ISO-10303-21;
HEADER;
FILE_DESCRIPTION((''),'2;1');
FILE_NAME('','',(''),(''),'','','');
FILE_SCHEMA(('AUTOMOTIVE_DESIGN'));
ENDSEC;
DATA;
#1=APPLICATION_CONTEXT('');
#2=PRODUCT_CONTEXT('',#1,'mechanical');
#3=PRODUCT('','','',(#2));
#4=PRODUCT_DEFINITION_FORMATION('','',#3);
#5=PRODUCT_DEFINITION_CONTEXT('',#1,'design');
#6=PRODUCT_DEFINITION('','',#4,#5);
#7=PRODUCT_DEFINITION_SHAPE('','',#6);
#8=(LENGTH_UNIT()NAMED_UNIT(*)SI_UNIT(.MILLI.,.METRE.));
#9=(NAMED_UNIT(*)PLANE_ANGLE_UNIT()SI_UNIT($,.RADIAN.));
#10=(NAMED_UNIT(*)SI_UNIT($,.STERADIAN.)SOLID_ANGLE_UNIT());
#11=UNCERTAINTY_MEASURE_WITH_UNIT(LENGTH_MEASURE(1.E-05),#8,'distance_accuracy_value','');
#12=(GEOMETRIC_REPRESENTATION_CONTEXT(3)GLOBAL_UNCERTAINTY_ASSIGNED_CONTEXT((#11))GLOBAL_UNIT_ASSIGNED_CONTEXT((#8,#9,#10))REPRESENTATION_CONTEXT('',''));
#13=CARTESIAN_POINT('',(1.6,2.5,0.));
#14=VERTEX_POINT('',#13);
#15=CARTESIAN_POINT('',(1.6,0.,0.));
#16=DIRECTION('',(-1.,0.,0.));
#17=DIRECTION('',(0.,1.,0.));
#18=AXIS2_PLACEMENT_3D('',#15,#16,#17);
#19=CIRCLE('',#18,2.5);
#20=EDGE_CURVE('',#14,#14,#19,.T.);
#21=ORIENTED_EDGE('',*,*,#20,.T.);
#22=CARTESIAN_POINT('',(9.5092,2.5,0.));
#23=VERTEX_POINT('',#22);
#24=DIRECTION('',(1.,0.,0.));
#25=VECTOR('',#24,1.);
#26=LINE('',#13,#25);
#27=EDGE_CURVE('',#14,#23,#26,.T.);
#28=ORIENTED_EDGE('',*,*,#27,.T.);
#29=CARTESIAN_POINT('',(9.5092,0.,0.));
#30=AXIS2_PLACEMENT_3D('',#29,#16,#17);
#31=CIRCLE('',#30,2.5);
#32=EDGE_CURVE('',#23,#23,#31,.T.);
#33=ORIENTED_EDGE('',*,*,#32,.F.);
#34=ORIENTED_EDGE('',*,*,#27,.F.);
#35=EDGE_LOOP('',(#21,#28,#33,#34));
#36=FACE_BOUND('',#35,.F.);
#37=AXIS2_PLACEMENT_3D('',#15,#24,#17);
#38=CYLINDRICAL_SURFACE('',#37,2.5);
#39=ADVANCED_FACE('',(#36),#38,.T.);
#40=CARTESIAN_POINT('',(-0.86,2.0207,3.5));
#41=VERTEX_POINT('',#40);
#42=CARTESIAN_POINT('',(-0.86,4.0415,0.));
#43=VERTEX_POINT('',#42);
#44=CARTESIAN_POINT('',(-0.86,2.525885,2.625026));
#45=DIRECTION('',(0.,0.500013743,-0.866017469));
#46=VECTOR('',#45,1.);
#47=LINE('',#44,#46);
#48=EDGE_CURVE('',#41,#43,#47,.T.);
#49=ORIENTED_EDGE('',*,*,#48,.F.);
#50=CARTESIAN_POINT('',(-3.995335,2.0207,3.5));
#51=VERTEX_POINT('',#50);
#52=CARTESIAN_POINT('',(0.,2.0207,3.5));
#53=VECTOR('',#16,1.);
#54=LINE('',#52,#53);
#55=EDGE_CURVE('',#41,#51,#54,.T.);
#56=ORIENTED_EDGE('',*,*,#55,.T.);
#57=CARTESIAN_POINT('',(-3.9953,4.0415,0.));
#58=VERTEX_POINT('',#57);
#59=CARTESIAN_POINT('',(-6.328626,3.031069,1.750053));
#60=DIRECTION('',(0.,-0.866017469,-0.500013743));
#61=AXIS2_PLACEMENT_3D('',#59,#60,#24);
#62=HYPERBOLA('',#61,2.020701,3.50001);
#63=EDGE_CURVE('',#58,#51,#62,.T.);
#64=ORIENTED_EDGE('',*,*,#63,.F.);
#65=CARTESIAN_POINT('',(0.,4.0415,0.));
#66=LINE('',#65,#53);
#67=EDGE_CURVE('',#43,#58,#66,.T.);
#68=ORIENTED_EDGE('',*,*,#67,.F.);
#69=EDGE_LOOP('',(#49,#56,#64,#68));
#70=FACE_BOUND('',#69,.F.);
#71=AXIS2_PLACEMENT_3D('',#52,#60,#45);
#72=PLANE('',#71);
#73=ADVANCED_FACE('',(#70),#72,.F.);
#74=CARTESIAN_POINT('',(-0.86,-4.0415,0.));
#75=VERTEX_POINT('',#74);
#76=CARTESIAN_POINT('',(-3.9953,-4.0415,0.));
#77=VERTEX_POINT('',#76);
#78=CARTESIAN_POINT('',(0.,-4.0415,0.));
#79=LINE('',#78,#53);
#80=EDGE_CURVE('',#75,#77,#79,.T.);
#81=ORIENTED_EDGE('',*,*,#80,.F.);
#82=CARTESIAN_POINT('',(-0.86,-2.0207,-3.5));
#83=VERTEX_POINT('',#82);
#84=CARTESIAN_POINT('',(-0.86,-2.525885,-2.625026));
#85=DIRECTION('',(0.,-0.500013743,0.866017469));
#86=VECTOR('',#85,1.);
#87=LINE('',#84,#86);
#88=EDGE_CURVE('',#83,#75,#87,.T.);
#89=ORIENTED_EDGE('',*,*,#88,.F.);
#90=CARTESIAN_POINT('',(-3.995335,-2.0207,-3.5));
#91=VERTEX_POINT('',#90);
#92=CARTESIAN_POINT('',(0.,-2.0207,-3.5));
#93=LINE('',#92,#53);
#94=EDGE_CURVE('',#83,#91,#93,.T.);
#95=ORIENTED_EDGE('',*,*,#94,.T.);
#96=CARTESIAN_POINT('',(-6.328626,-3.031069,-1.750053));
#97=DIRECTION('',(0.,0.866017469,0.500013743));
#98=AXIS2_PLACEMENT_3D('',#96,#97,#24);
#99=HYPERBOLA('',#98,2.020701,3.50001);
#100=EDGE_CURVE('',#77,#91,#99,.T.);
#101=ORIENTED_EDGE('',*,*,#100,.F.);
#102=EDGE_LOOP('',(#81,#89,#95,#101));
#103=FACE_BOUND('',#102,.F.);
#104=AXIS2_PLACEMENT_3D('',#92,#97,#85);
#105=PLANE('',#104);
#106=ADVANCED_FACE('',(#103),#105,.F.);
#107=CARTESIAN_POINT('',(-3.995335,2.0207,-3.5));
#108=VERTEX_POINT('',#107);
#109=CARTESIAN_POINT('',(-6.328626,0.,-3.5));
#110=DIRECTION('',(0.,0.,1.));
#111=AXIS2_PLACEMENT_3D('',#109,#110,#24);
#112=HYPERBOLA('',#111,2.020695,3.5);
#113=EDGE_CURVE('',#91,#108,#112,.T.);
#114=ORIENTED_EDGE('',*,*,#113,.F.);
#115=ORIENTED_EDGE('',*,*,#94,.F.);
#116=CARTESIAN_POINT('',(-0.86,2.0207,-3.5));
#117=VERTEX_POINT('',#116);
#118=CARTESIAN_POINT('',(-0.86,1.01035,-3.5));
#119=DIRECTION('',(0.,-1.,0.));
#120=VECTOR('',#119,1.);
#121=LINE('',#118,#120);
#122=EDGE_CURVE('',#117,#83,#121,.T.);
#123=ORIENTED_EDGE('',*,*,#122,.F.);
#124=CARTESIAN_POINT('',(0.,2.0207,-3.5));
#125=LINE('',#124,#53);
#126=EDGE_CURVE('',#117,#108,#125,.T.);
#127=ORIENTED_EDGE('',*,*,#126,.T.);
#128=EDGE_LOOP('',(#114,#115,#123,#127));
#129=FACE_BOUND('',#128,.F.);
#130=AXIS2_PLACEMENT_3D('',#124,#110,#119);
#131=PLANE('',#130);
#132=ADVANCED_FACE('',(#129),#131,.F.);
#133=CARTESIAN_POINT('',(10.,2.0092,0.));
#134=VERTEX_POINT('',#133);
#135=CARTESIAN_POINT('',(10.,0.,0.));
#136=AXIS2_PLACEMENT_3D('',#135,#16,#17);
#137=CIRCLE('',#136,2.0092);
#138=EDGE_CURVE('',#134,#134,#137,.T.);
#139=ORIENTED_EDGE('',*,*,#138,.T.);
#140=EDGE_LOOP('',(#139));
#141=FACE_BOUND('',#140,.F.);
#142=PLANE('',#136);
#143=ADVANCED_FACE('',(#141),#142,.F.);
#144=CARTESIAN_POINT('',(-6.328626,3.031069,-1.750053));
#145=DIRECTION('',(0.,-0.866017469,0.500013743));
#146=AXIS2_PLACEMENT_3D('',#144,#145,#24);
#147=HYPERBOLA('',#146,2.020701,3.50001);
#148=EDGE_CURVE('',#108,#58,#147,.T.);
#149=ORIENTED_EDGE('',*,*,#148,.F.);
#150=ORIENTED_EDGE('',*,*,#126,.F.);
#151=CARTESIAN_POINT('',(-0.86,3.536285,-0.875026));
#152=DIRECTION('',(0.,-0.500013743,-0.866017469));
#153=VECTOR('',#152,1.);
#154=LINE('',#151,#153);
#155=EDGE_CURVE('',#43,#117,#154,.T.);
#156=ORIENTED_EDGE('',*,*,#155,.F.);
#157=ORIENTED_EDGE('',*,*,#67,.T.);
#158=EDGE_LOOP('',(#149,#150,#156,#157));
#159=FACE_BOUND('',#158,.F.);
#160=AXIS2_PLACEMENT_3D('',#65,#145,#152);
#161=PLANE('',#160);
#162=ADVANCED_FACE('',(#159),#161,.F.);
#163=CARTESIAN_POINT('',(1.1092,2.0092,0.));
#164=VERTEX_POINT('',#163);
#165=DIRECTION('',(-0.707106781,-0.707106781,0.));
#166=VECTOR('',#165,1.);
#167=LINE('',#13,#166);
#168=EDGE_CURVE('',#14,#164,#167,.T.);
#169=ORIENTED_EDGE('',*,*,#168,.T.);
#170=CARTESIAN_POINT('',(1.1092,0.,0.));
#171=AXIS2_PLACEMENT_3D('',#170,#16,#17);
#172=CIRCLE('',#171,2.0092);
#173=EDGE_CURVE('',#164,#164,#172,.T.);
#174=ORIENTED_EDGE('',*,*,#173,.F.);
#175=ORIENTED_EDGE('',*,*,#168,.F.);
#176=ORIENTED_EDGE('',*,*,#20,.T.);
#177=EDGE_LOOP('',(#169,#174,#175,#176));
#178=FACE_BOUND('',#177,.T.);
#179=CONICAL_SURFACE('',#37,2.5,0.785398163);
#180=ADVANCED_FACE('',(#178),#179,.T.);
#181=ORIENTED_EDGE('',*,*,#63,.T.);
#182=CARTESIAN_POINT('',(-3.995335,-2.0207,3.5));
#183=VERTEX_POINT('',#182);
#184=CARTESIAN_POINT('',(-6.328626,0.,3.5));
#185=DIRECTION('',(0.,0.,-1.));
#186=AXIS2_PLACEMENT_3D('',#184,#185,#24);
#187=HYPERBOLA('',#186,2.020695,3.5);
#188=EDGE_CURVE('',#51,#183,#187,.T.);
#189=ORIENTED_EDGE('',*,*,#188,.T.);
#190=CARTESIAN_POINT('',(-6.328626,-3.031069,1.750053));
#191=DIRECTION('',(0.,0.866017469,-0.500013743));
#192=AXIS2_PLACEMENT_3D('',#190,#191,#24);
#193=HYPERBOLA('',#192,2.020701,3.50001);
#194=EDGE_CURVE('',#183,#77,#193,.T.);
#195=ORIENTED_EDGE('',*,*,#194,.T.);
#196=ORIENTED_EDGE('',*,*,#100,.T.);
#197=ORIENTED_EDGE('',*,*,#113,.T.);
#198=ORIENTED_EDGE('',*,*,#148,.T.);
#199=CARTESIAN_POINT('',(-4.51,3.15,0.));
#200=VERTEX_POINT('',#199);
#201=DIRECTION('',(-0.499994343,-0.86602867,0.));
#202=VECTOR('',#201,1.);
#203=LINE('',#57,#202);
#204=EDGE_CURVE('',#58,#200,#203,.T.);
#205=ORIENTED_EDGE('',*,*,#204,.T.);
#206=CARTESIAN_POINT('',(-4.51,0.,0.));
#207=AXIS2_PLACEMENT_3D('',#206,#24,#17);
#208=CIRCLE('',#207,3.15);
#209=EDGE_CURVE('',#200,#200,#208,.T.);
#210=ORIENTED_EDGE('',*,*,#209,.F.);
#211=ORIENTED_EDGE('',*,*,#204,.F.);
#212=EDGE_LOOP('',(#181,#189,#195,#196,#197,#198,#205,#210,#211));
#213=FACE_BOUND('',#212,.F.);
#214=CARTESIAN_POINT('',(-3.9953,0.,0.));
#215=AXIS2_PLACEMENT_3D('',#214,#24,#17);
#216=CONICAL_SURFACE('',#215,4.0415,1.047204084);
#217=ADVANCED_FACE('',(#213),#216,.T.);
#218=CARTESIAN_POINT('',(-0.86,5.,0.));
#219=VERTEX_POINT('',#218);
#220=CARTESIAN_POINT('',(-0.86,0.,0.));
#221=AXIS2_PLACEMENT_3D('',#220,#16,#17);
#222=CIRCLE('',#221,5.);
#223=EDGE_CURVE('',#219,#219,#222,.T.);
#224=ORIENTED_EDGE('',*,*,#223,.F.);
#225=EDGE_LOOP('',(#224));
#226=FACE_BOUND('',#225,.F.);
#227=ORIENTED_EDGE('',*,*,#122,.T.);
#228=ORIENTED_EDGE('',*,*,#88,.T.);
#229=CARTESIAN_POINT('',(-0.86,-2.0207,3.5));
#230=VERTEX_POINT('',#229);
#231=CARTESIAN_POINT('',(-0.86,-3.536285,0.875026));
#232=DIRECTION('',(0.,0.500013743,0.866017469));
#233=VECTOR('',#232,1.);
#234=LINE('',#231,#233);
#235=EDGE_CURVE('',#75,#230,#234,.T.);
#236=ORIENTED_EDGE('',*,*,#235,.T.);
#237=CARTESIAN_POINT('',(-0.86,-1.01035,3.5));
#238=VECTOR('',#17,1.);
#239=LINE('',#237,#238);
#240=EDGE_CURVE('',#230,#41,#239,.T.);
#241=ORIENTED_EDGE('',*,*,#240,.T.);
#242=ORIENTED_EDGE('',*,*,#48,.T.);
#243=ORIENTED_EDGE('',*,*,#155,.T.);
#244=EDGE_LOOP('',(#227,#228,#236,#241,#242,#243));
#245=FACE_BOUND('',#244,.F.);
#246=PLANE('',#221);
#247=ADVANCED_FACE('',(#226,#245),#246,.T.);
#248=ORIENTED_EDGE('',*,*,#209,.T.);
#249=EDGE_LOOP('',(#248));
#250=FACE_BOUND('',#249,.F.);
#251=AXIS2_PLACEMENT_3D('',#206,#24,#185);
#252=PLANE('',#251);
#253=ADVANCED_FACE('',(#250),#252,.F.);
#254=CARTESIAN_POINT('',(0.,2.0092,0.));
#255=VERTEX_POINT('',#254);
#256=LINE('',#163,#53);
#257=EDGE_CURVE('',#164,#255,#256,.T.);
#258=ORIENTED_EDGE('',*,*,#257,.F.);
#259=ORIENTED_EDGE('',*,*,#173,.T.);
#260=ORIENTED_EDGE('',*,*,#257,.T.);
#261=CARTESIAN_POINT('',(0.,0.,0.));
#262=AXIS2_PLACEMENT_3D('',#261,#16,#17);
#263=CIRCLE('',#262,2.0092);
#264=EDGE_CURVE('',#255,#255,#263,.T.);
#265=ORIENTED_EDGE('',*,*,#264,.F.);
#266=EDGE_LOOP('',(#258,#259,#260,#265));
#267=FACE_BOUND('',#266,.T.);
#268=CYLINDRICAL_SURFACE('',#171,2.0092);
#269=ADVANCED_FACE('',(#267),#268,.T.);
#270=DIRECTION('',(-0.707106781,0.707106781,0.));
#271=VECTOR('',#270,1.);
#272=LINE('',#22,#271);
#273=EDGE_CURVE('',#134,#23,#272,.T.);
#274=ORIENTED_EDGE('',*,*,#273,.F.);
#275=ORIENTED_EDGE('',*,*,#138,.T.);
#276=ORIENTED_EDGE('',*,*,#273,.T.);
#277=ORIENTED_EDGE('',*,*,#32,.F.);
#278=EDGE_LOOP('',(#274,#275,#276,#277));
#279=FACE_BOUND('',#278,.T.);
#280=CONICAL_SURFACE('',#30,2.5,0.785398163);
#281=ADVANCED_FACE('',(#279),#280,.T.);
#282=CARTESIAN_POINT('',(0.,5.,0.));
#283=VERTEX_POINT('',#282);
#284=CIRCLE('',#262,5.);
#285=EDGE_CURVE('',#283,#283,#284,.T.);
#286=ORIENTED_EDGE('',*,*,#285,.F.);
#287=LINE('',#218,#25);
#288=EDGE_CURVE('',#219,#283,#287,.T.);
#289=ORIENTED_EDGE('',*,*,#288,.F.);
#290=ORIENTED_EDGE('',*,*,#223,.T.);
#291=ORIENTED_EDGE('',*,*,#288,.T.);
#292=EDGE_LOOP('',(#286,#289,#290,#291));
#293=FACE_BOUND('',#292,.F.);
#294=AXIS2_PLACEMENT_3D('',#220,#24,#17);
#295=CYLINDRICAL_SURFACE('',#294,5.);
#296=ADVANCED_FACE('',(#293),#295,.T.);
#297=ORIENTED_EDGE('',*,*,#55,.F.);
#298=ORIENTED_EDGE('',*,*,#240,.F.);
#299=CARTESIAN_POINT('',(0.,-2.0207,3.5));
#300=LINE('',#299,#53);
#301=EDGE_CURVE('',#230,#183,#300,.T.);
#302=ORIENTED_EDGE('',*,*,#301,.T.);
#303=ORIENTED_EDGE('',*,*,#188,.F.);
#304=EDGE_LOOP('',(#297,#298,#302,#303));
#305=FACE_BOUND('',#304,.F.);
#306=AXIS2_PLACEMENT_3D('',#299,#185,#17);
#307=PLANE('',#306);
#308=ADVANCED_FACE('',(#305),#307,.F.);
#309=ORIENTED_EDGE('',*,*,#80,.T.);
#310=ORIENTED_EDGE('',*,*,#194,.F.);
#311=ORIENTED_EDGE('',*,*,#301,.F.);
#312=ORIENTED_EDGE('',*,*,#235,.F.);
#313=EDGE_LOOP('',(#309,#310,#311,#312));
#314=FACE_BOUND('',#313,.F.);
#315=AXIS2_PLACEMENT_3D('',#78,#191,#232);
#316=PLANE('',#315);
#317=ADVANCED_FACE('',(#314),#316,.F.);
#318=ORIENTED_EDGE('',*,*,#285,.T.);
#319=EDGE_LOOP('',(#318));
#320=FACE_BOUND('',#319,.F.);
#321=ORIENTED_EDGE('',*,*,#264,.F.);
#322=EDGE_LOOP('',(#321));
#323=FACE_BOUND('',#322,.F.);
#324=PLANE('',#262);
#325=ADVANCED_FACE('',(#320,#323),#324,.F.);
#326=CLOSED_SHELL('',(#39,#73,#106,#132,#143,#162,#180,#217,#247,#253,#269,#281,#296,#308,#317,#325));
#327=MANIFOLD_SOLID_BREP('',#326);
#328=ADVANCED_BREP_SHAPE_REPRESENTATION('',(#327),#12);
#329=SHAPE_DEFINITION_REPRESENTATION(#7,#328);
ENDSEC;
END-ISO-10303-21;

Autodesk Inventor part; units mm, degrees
ref_plane "YZ Plane" through (0, 0, 0) normal (1, 0, 0) x (0, 1, 0)
ref_plane "XZ Plane" through (0, 0, 0) normal (0, 1, 0) x (-1, 0, 0)
sketch "Sketch1" plane through (0, 0, 0) normal (0, 0, 1) x (1, 0, 0)
  line L0 (0, 5) -> (0, 2.0092)
  line L1 (1.6, 2.5) -> (10, 2.5)
  line L2 (10, 2.5) -> (10, 0)
  line L3 (10, 0) -> (-0.86, 0)
  line L4 (0, -1) -> (0, 6) projected
  line L5 (-3.032, 0) -> (12.172, 0) projected
  line L6 (-0.86, 0) -> (-0.86, 5)
  line L7 (-0.86, 5) -> (0, 5)
  line L8 (1.6, 2.5) -> (1.1092, 2.0092)
  line L9 (1.1092, 2.0092) -> (0, 2.0092)
  dimension "d0" = 10
  dimension "d1" = 8.4
  dimension "d2" = 5
  dimension "d8" = 0.86
  dimension "d9" = 10
  dimension "d15" = 4.0185
  dimension "d16" = 0.4908
revolve "Body" add sketch "Sketch1" angle 360 about axis through (10, 0, 0) along (-1, 0, 0)
sketch "Sketch2" plane through (0, 0, 0) normal (1, 0, 0) x (0, 0, -1)
  circle A0 centre (0, 0) radius 5 projected
  line L0 (0, 4.0415) -> (3.5, 2.0207)
  line L1 (3.5, 2.0207) -> (3.5, -2.0207)
  line L2 (3.5, -2.0207) -> (0, -4.0415)
  line L3 (0, -4.0415) -> (-3.5, -2.0207)
  line L4 (-3.5, -2.0207) -> (-3.5, 2.0207)
  line L5 (-3.5, 2.0207) -> (0, 4.0415)
  circle A1 centre (0, 0) radius 5 projected
  dimension "d10" = 7
extrude "Head" add sketch "Sketch2" against normal blind 4.51 contours L0 L1 L2 L3 L4 L5
sketch "Sketch3" plane through (0, 0, 0) normal (0, 0, 1) x (1, 0, 0)
  line L0 (-4.51, 3.15) -> (-4.51, 4.0415)
  line L1 (-4.51, 4.0415) -> (-3.9953, 4.0415)
  line L2 (-3.9953, 4.0415) -> (-4.51, 3.15)
  line L3 (-2.0945, 4.0415) -> (-4.51, 4.0415)
  line L4 (-4.51, 4.0415) -> (-4.51, 1.7321)
  line L5 (-0.86, 4.0415) -> (-4.51, 4.0415) projected
  line L6 (-4.51, 4.0415) -> (-4.51, 2.0207) projected
  line L7 (-5.24, 0) -> (-0.13, 0) projected
  dimension "d5" = 30
  dimension "d18" = 6.3
revolve "Chamfer1" cut sketch "Sketch3" angle 360 about axis through (-10, 0, 0) along (1, 0, 0)
thread "Thread" size "M5x0.8" class "6g" standard "ISO Metric profile" length 8.4
chamfer "Chamfer2" distance 0.4908 distance2 0.4908 1 edges at (10, -2.5, 0) measured on face at (10, -0.7379, 0.3873)
ref_plane "Work Plane1" through (3.5, 0, 0) normal (0, 0, 1) x (1, 0, 0)
equation "\"d10\" = SW"
equation "\"d3\" = KOH"
equation "\"d13\" = GEL"
equation "\"d6\" = -0.5 * SPD + 0.5 * GD"
equation "\"d7\" = -0.5 * SPD + 0.5 * GD"
equation "\"d0\" = NLG"
equation "\"d1\" = GEL"
equation "\"d2\" = GD"
equation "\"d8\" = PHH"
equation "\"d9\" = LADI"
equation "\"d15\" = BDM"
equation "\"d16\" = GAL"
equation "\"d5\" = ANG1"
equation "\"d18\" = SW0"
equation "\"NLG\" = 10"
equation "\"GD\" = NND"
equation "\"BDM\" = NND - 1.2269 * PTC"
equation "\"KOH\" = 4.51"
equation "\"GEL\" = 8.4"
equation "\"LADI\" = 10"
equation "\"SW\" = 7"
equation "\"PHH\" = 0.86"
equation "\"SW0\" = 6.3"
equation "\"SPD\" = NND - 1.2269 * PTC"
equation "\"ANG1\" = 30deg"
equation "\"GAL\" = 0.61345 * PTC"
equation "\"GUL\" = 0.61345 * PTC"
equation "\"WFT\" = PHH"
equation "\"PTC\" = 0.8"
equation "\"THREADDIA\" = 5"
equation "\"E0\" = 1.155 * SW"
equation "\"TOA\" = 30deg"
equation "\"NND\" = 5"
equation "\"GD1\" = THREADDIA - 1.2269 * PTC"
equation "\"SDH\" = 5.7"
equation "\"KOH1\" = 3.65"
equation "\"SD2\" = NND"
equation "\"SD\" = 0"
equation "\"RR\" = 0.2"
properties part number "AS 1427 - M5 x 10" material "Steel, Mild"
